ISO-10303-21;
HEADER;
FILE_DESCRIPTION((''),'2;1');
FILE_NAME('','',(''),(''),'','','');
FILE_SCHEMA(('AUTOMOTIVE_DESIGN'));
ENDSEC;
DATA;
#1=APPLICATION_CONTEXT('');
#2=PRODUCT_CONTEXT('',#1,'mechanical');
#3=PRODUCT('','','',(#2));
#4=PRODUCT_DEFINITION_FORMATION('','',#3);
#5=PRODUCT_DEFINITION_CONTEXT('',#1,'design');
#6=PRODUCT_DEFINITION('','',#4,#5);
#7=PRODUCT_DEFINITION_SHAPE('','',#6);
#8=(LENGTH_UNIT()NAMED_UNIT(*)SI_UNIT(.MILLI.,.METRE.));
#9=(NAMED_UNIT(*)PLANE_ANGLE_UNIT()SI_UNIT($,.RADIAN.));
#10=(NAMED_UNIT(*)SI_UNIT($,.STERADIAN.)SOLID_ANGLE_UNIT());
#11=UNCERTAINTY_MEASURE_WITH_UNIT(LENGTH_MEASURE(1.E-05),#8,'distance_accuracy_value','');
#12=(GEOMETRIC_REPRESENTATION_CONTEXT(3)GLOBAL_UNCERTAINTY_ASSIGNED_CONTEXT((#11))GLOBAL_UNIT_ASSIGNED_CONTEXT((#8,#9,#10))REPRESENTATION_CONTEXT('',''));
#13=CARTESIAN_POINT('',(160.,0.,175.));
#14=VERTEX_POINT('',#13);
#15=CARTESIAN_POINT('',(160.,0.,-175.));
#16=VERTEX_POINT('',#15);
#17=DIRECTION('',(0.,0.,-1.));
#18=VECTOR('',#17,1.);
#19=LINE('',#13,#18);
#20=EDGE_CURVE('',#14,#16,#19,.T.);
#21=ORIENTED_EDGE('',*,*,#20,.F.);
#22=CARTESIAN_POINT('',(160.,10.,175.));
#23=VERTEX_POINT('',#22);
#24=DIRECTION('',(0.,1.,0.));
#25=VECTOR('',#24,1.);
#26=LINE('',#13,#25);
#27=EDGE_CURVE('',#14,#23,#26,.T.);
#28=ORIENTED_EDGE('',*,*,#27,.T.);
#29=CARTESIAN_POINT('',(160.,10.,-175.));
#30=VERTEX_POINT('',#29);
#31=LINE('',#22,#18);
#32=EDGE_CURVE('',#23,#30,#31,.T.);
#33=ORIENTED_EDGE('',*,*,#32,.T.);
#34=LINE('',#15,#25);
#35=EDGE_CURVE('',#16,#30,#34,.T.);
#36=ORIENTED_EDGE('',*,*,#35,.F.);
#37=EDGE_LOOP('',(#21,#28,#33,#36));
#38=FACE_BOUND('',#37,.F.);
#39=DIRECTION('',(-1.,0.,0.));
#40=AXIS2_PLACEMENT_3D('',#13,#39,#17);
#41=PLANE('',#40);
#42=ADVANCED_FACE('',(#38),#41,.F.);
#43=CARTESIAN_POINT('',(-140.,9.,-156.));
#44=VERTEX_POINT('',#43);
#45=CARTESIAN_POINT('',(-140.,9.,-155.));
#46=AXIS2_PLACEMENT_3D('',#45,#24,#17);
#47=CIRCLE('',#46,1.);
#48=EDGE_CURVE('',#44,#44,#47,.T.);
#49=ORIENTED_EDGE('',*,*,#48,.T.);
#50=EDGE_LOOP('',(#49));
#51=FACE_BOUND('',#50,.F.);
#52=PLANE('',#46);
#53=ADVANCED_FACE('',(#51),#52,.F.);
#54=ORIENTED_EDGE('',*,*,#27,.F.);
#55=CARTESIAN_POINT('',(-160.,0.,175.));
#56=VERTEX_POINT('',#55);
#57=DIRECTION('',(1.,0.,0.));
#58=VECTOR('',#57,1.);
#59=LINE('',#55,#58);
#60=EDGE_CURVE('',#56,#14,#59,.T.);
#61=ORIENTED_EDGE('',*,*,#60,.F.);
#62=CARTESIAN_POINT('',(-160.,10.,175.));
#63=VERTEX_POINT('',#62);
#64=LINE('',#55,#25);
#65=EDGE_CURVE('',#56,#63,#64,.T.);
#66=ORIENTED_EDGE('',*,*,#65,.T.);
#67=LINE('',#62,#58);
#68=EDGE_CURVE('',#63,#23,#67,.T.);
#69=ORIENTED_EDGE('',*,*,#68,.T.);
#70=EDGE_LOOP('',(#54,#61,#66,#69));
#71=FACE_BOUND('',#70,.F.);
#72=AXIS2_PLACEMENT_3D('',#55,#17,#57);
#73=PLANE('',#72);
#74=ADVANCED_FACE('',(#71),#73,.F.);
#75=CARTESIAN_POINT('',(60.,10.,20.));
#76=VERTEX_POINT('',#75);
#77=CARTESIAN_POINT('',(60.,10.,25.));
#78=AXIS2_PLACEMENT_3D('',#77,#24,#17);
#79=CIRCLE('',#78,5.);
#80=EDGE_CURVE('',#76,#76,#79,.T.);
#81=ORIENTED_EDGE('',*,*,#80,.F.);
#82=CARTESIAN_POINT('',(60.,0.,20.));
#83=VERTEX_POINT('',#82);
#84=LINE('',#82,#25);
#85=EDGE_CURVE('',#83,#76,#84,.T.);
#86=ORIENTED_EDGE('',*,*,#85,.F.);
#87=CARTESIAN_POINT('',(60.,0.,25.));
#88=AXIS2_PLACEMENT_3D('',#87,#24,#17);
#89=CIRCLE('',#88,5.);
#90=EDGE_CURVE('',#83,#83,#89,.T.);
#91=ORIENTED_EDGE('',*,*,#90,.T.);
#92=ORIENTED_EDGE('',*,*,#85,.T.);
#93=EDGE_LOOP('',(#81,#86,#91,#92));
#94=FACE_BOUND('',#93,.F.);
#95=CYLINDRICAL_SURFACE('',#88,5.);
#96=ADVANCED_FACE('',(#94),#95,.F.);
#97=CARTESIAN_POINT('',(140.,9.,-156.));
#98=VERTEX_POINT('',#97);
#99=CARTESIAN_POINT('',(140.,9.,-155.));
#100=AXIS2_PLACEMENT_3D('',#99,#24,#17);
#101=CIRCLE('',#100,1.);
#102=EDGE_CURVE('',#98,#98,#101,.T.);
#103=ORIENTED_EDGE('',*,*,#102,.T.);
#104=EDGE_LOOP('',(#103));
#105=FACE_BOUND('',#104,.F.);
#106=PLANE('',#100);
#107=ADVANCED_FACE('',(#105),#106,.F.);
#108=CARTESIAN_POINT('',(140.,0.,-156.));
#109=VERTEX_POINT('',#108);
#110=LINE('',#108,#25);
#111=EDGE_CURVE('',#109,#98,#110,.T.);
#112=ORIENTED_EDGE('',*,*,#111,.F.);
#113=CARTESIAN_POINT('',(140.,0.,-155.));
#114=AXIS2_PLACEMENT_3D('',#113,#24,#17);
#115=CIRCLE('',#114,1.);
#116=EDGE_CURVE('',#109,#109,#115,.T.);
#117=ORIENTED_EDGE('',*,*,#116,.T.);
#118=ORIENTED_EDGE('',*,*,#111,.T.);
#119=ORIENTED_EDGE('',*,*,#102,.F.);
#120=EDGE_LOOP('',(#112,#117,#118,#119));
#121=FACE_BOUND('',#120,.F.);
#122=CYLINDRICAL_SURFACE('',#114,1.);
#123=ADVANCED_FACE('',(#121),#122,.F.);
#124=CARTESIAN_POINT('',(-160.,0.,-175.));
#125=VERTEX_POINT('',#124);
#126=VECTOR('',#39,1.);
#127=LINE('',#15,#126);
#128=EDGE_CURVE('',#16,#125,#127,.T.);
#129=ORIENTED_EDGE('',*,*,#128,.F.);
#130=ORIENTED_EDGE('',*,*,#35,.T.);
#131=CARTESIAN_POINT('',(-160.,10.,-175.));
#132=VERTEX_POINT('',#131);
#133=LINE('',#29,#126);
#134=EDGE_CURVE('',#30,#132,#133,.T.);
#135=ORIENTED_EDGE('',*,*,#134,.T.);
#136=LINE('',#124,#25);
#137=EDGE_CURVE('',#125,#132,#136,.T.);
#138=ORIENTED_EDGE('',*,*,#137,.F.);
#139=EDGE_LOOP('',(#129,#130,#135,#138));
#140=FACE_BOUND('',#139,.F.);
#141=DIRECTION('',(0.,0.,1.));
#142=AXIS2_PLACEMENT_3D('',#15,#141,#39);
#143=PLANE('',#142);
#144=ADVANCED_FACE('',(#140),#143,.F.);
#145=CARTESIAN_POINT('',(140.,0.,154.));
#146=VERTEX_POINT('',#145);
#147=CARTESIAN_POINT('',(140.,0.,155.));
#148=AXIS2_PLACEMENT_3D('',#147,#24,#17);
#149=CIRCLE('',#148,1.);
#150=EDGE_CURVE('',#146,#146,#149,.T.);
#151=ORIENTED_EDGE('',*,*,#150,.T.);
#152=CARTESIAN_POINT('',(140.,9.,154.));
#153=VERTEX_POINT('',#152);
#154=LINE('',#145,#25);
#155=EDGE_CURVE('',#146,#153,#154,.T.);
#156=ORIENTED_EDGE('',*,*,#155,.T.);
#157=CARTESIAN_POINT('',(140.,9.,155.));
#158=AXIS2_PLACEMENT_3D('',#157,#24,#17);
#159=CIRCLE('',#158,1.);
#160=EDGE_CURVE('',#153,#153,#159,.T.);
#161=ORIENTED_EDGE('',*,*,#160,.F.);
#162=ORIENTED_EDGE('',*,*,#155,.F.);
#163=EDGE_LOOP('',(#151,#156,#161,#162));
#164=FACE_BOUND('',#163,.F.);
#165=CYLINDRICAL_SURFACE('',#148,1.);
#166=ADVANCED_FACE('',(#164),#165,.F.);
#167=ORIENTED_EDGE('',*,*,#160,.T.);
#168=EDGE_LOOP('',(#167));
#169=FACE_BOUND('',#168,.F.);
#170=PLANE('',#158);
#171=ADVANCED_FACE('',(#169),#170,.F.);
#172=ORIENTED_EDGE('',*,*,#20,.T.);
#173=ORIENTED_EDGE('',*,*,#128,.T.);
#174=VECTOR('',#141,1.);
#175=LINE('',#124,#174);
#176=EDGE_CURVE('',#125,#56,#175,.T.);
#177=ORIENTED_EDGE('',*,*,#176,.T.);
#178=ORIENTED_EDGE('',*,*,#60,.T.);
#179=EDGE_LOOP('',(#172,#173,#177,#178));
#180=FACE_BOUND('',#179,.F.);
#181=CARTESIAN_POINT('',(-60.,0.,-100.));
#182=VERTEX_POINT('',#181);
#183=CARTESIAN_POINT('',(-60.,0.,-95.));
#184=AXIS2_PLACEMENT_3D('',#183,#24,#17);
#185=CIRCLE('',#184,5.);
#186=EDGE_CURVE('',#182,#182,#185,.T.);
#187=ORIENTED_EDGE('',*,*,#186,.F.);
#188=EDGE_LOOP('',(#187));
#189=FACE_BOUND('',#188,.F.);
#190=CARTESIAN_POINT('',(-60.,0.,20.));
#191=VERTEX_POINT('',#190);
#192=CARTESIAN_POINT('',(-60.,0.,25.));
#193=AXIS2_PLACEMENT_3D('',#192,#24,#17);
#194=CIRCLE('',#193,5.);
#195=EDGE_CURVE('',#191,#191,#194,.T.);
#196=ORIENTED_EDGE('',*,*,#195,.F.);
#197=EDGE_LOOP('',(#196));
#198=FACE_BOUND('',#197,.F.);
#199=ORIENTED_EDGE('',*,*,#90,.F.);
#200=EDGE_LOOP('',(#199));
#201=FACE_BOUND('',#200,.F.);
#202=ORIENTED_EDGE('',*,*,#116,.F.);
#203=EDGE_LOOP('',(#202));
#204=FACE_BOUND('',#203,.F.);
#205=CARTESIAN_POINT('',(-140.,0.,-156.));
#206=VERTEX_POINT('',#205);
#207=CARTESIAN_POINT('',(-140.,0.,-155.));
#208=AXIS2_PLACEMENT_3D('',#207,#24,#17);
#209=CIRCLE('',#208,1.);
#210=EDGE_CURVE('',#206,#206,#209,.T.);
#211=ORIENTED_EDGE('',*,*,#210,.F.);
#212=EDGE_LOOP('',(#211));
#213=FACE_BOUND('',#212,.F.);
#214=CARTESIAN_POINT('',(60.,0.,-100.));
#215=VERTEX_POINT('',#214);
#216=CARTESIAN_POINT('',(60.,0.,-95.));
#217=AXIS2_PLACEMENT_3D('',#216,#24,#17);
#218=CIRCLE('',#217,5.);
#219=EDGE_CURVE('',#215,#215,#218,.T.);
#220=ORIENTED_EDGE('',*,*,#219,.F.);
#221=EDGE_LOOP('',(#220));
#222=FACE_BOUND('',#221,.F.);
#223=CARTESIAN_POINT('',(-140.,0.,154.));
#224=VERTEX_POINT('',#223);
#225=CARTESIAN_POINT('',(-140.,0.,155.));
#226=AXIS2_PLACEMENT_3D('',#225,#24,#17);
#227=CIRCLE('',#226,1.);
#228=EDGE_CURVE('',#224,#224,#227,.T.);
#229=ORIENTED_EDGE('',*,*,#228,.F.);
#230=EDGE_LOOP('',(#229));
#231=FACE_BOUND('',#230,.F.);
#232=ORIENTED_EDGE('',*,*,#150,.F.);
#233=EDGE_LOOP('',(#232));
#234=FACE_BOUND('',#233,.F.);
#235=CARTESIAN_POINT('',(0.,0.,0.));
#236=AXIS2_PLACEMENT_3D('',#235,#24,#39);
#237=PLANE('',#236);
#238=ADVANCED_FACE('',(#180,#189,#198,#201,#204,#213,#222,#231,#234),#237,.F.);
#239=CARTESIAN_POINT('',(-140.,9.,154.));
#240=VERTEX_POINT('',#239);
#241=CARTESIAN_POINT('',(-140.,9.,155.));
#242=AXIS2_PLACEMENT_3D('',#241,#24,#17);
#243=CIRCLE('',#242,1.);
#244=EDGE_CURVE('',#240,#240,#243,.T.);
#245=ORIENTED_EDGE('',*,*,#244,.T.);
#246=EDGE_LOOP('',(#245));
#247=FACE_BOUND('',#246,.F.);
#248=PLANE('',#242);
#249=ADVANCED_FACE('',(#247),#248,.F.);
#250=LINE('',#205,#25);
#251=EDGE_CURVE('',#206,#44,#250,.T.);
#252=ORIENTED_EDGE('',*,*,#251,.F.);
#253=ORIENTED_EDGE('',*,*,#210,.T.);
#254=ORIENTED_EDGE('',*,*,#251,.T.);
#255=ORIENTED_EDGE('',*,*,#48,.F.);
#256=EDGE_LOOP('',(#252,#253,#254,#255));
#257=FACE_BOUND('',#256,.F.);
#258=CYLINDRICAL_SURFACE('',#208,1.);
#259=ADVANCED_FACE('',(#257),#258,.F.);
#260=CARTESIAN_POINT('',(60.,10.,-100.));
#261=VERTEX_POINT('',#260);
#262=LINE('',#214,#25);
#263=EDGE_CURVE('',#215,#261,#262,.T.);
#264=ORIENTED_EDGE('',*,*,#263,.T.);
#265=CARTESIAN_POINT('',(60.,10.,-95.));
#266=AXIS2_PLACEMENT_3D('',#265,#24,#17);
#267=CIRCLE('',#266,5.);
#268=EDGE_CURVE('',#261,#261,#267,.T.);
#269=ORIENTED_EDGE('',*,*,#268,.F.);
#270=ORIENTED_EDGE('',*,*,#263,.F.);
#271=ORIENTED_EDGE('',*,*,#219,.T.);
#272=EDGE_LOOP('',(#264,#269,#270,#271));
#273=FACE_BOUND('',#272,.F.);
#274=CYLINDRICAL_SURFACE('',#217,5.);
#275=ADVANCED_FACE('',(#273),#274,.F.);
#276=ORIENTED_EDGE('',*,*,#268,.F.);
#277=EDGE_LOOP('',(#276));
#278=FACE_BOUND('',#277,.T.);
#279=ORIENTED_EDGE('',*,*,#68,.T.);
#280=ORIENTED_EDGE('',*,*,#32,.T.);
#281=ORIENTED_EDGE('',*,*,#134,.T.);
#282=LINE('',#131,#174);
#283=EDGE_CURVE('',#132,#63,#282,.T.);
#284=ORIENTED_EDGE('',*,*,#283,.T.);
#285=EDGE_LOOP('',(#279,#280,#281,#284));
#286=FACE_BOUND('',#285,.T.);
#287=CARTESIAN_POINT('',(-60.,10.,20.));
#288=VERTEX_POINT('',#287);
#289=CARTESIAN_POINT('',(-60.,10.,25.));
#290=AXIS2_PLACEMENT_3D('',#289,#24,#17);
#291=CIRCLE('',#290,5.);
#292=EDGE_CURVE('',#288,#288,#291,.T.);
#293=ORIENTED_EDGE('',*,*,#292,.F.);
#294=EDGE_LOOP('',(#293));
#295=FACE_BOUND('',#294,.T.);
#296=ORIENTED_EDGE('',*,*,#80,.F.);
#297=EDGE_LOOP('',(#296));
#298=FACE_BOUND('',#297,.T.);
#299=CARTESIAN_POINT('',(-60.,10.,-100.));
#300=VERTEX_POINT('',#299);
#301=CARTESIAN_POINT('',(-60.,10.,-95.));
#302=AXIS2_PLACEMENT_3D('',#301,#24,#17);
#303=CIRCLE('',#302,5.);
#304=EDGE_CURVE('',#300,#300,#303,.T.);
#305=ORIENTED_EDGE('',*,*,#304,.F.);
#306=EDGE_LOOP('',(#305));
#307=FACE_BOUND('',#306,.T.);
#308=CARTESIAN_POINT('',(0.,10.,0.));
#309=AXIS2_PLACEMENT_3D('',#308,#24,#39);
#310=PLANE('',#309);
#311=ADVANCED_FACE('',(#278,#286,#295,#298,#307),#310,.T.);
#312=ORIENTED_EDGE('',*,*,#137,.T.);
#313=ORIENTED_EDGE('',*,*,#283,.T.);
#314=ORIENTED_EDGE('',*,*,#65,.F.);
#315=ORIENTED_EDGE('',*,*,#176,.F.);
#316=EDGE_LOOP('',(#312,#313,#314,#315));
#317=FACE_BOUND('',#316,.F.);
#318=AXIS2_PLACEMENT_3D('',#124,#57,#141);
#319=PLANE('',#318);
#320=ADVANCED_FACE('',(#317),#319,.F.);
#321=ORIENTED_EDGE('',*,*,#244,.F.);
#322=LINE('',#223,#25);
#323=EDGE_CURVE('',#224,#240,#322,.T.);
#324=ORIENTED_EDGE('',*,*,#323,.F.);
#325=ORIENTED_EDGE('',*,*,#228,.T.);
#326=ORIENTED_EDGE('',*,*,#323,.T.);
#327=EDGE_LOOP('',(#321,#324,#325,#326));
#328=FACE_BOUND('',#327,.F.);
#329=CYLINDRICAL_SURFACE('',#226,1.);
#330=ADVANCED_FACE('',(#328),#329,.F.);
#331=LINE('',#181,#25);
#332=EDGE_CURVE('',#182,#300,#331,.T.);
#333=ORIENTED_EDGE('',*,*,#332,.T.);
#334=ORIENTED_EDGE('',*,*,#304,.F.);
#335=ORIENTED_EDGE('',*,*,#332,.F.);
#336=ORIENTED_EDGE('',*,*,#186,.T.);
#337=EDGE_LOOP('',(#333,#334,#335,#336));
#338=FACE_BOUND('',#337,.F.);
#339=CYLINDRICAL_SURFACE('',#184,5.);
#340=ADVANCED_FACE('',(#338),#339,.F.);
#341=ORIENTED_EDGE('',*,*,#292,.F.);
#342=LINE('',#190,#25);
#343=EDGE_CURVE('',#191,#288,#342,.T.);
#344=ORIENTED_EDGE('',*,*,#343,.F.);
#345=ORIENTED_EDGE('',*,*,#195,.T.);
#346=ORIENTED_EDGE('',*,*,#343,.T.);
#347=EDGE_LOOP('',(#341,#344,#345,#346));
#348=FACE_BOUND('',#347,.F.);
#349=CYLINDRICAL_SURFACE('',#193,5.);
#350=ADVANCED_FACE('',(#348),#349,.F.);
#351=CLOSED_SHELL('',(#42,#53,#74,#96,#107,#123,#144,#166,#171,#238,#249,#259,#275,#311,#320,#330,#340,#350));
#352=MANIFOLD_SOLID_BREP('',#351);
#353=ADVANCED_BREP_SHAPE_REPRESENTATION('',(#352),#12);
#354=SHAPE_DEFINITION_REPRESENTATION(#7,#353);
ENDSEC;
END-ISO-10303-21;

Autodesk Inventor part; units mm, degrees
ref_plane "YZ Plane" through (0, 0, 0) normal (1, 0, 0) x (0, 1, 0)
ref_plane "XZ Plane" through (0, 0, 0) normal (0, 1, 0) x (-1, 0, 0)
ref_plane "XY Plane" through (0, 0, 0) normal (0, 0, 1) x (1, 0, 0)
sketch "Náčrt1" plane through (0, 0, 0) normal (0, 1, 0) x (-1, 0, 0)
  line L0 (160, 175) -> (-160, 175)
  line L1 (-160, 175) -> (-160, -175)
  line L2 (-160, -175) -> (160, -175)
  line L3 (160, -175) -> (160, 175)
  line L4 (160, 175) -> (-160, -175) construction
  line L5 (-160, 175) -> (160, -175) construction
  point P0 (0, 0)
  dimension "d0" = 320
  dimension "d1" = 350
extrude "Vysunutí1" add sketch "Náčrt1" along normal blind 10
sketch "Náčrt3" plane through (0, 0, 0) normal (0, -1, 0) x (1, 0, 0)
  line L0 (160, -175) -> (-160, -175) projected
  line L1 (160, 175) -> (160, -175) projected
  point P0 (0, 0)
  point P1 (60, -95)
  point P2 (60, 25)
  point P3 (-60, 25)
  point P4 (-60, -95)
  dimension "d14" = 120
  dimension "d15" = 120
  dimension "d16" = 80
  dimension "d17" = 100
hole "Díra1" at (60, 0, -95) at (60, 0, 25) at (-60, 0, 25) at (-60, 0, -95) direction (0, 1, 0) diameter 10 end through all
sketch "Náčrt4" plane through (0, 0, 0) normal (0, -1, 0) x (1, 0, 0)
  line L0 (-160, 175) -> (160, 175) projected
  line L1 (-160, -175) -> (-160, 175) projected
  line L2 (160, 175) -> (160, -175) projected
  line L3 (160, -175) -> (-160, -175) projected
  point P0 (0, 0)
  point P1 (-140, 155)
  point P2 (140, 155)
  point P3 (-140, -155)
  point P4 (140, -155)
  dimension "d25" = 20
  dimension "d26" = 20
  dimension "d27" = 20
  dimension "d28" = 20
hole "Díra2" at (-140, 0, 155) at (140, 0, 155) at (-140, 0, -155) at (140, 0, -155) direction (0, 1, 0) diameter 2 depth 9
properties part number "deska" material "Dřevo (Bříza)"
